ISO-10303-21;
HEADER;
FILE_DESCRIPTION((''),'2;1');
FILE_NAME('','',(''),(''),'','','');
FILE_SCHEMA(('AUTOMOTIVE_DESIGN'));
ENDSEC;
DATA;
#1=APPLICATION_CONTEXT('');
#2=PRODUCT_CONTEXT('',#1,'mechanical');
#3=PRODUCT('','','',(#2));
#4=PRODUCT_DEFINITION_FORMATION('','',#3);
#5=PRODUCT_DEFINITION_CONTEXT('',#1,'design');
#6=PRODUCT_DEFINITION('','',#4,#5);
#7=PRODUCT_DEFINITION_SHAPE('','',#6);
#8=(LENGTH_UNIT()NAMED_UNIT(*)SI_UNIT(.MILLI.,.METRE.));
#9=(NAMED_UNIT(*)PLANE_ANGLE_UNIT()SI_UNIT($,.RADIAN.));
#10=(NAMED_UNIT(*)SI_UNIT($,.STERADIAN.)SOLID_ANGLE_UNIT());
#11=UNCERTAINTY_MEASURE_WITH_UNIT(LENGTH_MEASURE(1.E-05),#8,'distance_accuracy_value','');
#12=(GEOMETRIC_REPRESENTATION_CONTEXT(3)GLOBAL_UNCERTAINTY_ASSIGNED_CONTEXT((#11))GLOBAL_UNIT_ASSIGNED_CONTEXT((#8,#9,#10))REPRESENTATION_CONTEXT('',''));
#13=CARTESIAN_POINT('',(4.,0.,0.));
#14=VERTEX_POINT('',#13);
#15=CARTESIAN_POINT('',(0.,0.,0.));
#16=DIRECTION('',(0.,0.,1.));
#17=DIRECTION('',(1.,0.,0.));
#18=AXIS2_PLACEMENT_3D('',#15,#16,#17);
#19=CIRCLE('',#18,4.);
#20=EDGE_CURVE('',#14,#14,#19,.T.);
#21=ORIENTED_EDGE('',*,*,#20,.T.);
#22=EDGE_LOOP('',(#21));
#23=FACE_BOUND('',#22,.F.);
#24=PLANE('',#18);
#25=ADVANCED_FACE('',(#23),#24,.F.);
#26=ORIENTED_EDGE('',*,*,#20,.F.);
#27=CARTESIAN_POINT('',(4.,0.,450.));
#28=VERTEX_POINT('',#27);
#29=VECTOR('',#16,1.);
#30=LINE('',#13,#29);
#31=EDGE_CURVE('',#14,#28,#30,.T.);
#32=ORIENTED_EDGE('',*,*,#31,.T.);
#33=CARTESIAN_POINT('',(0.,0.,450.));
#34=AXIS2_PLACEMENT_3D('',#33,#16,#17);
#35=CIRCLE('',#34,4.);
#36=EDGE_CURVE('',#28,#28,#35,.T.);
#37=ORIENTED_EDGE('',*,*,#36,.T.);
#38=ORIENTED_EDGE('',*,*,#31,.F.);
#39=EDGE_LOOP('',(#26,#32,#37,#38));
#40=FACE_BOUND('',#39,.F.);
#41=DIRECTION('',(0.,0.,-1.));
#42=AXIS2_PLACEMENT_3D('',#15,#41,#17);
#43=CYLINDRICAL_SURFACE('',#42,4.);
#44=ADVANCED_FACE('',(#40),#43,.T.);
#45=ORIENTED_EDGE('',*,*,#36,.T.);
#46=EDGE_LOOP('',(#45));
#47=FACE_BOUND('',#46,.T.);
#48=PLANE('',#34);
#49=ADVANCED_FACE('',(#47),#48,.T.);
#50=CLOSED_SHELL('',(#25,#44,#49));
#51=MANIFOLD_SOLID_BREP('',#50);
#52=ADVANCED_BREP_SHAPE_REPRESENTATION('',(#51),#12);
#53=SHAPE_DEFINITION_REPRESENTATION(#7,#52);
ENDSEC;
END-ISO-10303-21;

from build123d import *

# Parameters (mm, degrees)
SKETCH1_R           = 4
BOSS_EXTRUDE1_DEPTH = 450


with BuildPart() as part:
    # Sketch1 → Boss-Extrude1 (new body)
    with BuildSketch(Plane.XY):
        Circle(SKETCH1_R)
    extrude(amount=BOSS_EXTRUDE1_DEPTH)


solid = part.part
